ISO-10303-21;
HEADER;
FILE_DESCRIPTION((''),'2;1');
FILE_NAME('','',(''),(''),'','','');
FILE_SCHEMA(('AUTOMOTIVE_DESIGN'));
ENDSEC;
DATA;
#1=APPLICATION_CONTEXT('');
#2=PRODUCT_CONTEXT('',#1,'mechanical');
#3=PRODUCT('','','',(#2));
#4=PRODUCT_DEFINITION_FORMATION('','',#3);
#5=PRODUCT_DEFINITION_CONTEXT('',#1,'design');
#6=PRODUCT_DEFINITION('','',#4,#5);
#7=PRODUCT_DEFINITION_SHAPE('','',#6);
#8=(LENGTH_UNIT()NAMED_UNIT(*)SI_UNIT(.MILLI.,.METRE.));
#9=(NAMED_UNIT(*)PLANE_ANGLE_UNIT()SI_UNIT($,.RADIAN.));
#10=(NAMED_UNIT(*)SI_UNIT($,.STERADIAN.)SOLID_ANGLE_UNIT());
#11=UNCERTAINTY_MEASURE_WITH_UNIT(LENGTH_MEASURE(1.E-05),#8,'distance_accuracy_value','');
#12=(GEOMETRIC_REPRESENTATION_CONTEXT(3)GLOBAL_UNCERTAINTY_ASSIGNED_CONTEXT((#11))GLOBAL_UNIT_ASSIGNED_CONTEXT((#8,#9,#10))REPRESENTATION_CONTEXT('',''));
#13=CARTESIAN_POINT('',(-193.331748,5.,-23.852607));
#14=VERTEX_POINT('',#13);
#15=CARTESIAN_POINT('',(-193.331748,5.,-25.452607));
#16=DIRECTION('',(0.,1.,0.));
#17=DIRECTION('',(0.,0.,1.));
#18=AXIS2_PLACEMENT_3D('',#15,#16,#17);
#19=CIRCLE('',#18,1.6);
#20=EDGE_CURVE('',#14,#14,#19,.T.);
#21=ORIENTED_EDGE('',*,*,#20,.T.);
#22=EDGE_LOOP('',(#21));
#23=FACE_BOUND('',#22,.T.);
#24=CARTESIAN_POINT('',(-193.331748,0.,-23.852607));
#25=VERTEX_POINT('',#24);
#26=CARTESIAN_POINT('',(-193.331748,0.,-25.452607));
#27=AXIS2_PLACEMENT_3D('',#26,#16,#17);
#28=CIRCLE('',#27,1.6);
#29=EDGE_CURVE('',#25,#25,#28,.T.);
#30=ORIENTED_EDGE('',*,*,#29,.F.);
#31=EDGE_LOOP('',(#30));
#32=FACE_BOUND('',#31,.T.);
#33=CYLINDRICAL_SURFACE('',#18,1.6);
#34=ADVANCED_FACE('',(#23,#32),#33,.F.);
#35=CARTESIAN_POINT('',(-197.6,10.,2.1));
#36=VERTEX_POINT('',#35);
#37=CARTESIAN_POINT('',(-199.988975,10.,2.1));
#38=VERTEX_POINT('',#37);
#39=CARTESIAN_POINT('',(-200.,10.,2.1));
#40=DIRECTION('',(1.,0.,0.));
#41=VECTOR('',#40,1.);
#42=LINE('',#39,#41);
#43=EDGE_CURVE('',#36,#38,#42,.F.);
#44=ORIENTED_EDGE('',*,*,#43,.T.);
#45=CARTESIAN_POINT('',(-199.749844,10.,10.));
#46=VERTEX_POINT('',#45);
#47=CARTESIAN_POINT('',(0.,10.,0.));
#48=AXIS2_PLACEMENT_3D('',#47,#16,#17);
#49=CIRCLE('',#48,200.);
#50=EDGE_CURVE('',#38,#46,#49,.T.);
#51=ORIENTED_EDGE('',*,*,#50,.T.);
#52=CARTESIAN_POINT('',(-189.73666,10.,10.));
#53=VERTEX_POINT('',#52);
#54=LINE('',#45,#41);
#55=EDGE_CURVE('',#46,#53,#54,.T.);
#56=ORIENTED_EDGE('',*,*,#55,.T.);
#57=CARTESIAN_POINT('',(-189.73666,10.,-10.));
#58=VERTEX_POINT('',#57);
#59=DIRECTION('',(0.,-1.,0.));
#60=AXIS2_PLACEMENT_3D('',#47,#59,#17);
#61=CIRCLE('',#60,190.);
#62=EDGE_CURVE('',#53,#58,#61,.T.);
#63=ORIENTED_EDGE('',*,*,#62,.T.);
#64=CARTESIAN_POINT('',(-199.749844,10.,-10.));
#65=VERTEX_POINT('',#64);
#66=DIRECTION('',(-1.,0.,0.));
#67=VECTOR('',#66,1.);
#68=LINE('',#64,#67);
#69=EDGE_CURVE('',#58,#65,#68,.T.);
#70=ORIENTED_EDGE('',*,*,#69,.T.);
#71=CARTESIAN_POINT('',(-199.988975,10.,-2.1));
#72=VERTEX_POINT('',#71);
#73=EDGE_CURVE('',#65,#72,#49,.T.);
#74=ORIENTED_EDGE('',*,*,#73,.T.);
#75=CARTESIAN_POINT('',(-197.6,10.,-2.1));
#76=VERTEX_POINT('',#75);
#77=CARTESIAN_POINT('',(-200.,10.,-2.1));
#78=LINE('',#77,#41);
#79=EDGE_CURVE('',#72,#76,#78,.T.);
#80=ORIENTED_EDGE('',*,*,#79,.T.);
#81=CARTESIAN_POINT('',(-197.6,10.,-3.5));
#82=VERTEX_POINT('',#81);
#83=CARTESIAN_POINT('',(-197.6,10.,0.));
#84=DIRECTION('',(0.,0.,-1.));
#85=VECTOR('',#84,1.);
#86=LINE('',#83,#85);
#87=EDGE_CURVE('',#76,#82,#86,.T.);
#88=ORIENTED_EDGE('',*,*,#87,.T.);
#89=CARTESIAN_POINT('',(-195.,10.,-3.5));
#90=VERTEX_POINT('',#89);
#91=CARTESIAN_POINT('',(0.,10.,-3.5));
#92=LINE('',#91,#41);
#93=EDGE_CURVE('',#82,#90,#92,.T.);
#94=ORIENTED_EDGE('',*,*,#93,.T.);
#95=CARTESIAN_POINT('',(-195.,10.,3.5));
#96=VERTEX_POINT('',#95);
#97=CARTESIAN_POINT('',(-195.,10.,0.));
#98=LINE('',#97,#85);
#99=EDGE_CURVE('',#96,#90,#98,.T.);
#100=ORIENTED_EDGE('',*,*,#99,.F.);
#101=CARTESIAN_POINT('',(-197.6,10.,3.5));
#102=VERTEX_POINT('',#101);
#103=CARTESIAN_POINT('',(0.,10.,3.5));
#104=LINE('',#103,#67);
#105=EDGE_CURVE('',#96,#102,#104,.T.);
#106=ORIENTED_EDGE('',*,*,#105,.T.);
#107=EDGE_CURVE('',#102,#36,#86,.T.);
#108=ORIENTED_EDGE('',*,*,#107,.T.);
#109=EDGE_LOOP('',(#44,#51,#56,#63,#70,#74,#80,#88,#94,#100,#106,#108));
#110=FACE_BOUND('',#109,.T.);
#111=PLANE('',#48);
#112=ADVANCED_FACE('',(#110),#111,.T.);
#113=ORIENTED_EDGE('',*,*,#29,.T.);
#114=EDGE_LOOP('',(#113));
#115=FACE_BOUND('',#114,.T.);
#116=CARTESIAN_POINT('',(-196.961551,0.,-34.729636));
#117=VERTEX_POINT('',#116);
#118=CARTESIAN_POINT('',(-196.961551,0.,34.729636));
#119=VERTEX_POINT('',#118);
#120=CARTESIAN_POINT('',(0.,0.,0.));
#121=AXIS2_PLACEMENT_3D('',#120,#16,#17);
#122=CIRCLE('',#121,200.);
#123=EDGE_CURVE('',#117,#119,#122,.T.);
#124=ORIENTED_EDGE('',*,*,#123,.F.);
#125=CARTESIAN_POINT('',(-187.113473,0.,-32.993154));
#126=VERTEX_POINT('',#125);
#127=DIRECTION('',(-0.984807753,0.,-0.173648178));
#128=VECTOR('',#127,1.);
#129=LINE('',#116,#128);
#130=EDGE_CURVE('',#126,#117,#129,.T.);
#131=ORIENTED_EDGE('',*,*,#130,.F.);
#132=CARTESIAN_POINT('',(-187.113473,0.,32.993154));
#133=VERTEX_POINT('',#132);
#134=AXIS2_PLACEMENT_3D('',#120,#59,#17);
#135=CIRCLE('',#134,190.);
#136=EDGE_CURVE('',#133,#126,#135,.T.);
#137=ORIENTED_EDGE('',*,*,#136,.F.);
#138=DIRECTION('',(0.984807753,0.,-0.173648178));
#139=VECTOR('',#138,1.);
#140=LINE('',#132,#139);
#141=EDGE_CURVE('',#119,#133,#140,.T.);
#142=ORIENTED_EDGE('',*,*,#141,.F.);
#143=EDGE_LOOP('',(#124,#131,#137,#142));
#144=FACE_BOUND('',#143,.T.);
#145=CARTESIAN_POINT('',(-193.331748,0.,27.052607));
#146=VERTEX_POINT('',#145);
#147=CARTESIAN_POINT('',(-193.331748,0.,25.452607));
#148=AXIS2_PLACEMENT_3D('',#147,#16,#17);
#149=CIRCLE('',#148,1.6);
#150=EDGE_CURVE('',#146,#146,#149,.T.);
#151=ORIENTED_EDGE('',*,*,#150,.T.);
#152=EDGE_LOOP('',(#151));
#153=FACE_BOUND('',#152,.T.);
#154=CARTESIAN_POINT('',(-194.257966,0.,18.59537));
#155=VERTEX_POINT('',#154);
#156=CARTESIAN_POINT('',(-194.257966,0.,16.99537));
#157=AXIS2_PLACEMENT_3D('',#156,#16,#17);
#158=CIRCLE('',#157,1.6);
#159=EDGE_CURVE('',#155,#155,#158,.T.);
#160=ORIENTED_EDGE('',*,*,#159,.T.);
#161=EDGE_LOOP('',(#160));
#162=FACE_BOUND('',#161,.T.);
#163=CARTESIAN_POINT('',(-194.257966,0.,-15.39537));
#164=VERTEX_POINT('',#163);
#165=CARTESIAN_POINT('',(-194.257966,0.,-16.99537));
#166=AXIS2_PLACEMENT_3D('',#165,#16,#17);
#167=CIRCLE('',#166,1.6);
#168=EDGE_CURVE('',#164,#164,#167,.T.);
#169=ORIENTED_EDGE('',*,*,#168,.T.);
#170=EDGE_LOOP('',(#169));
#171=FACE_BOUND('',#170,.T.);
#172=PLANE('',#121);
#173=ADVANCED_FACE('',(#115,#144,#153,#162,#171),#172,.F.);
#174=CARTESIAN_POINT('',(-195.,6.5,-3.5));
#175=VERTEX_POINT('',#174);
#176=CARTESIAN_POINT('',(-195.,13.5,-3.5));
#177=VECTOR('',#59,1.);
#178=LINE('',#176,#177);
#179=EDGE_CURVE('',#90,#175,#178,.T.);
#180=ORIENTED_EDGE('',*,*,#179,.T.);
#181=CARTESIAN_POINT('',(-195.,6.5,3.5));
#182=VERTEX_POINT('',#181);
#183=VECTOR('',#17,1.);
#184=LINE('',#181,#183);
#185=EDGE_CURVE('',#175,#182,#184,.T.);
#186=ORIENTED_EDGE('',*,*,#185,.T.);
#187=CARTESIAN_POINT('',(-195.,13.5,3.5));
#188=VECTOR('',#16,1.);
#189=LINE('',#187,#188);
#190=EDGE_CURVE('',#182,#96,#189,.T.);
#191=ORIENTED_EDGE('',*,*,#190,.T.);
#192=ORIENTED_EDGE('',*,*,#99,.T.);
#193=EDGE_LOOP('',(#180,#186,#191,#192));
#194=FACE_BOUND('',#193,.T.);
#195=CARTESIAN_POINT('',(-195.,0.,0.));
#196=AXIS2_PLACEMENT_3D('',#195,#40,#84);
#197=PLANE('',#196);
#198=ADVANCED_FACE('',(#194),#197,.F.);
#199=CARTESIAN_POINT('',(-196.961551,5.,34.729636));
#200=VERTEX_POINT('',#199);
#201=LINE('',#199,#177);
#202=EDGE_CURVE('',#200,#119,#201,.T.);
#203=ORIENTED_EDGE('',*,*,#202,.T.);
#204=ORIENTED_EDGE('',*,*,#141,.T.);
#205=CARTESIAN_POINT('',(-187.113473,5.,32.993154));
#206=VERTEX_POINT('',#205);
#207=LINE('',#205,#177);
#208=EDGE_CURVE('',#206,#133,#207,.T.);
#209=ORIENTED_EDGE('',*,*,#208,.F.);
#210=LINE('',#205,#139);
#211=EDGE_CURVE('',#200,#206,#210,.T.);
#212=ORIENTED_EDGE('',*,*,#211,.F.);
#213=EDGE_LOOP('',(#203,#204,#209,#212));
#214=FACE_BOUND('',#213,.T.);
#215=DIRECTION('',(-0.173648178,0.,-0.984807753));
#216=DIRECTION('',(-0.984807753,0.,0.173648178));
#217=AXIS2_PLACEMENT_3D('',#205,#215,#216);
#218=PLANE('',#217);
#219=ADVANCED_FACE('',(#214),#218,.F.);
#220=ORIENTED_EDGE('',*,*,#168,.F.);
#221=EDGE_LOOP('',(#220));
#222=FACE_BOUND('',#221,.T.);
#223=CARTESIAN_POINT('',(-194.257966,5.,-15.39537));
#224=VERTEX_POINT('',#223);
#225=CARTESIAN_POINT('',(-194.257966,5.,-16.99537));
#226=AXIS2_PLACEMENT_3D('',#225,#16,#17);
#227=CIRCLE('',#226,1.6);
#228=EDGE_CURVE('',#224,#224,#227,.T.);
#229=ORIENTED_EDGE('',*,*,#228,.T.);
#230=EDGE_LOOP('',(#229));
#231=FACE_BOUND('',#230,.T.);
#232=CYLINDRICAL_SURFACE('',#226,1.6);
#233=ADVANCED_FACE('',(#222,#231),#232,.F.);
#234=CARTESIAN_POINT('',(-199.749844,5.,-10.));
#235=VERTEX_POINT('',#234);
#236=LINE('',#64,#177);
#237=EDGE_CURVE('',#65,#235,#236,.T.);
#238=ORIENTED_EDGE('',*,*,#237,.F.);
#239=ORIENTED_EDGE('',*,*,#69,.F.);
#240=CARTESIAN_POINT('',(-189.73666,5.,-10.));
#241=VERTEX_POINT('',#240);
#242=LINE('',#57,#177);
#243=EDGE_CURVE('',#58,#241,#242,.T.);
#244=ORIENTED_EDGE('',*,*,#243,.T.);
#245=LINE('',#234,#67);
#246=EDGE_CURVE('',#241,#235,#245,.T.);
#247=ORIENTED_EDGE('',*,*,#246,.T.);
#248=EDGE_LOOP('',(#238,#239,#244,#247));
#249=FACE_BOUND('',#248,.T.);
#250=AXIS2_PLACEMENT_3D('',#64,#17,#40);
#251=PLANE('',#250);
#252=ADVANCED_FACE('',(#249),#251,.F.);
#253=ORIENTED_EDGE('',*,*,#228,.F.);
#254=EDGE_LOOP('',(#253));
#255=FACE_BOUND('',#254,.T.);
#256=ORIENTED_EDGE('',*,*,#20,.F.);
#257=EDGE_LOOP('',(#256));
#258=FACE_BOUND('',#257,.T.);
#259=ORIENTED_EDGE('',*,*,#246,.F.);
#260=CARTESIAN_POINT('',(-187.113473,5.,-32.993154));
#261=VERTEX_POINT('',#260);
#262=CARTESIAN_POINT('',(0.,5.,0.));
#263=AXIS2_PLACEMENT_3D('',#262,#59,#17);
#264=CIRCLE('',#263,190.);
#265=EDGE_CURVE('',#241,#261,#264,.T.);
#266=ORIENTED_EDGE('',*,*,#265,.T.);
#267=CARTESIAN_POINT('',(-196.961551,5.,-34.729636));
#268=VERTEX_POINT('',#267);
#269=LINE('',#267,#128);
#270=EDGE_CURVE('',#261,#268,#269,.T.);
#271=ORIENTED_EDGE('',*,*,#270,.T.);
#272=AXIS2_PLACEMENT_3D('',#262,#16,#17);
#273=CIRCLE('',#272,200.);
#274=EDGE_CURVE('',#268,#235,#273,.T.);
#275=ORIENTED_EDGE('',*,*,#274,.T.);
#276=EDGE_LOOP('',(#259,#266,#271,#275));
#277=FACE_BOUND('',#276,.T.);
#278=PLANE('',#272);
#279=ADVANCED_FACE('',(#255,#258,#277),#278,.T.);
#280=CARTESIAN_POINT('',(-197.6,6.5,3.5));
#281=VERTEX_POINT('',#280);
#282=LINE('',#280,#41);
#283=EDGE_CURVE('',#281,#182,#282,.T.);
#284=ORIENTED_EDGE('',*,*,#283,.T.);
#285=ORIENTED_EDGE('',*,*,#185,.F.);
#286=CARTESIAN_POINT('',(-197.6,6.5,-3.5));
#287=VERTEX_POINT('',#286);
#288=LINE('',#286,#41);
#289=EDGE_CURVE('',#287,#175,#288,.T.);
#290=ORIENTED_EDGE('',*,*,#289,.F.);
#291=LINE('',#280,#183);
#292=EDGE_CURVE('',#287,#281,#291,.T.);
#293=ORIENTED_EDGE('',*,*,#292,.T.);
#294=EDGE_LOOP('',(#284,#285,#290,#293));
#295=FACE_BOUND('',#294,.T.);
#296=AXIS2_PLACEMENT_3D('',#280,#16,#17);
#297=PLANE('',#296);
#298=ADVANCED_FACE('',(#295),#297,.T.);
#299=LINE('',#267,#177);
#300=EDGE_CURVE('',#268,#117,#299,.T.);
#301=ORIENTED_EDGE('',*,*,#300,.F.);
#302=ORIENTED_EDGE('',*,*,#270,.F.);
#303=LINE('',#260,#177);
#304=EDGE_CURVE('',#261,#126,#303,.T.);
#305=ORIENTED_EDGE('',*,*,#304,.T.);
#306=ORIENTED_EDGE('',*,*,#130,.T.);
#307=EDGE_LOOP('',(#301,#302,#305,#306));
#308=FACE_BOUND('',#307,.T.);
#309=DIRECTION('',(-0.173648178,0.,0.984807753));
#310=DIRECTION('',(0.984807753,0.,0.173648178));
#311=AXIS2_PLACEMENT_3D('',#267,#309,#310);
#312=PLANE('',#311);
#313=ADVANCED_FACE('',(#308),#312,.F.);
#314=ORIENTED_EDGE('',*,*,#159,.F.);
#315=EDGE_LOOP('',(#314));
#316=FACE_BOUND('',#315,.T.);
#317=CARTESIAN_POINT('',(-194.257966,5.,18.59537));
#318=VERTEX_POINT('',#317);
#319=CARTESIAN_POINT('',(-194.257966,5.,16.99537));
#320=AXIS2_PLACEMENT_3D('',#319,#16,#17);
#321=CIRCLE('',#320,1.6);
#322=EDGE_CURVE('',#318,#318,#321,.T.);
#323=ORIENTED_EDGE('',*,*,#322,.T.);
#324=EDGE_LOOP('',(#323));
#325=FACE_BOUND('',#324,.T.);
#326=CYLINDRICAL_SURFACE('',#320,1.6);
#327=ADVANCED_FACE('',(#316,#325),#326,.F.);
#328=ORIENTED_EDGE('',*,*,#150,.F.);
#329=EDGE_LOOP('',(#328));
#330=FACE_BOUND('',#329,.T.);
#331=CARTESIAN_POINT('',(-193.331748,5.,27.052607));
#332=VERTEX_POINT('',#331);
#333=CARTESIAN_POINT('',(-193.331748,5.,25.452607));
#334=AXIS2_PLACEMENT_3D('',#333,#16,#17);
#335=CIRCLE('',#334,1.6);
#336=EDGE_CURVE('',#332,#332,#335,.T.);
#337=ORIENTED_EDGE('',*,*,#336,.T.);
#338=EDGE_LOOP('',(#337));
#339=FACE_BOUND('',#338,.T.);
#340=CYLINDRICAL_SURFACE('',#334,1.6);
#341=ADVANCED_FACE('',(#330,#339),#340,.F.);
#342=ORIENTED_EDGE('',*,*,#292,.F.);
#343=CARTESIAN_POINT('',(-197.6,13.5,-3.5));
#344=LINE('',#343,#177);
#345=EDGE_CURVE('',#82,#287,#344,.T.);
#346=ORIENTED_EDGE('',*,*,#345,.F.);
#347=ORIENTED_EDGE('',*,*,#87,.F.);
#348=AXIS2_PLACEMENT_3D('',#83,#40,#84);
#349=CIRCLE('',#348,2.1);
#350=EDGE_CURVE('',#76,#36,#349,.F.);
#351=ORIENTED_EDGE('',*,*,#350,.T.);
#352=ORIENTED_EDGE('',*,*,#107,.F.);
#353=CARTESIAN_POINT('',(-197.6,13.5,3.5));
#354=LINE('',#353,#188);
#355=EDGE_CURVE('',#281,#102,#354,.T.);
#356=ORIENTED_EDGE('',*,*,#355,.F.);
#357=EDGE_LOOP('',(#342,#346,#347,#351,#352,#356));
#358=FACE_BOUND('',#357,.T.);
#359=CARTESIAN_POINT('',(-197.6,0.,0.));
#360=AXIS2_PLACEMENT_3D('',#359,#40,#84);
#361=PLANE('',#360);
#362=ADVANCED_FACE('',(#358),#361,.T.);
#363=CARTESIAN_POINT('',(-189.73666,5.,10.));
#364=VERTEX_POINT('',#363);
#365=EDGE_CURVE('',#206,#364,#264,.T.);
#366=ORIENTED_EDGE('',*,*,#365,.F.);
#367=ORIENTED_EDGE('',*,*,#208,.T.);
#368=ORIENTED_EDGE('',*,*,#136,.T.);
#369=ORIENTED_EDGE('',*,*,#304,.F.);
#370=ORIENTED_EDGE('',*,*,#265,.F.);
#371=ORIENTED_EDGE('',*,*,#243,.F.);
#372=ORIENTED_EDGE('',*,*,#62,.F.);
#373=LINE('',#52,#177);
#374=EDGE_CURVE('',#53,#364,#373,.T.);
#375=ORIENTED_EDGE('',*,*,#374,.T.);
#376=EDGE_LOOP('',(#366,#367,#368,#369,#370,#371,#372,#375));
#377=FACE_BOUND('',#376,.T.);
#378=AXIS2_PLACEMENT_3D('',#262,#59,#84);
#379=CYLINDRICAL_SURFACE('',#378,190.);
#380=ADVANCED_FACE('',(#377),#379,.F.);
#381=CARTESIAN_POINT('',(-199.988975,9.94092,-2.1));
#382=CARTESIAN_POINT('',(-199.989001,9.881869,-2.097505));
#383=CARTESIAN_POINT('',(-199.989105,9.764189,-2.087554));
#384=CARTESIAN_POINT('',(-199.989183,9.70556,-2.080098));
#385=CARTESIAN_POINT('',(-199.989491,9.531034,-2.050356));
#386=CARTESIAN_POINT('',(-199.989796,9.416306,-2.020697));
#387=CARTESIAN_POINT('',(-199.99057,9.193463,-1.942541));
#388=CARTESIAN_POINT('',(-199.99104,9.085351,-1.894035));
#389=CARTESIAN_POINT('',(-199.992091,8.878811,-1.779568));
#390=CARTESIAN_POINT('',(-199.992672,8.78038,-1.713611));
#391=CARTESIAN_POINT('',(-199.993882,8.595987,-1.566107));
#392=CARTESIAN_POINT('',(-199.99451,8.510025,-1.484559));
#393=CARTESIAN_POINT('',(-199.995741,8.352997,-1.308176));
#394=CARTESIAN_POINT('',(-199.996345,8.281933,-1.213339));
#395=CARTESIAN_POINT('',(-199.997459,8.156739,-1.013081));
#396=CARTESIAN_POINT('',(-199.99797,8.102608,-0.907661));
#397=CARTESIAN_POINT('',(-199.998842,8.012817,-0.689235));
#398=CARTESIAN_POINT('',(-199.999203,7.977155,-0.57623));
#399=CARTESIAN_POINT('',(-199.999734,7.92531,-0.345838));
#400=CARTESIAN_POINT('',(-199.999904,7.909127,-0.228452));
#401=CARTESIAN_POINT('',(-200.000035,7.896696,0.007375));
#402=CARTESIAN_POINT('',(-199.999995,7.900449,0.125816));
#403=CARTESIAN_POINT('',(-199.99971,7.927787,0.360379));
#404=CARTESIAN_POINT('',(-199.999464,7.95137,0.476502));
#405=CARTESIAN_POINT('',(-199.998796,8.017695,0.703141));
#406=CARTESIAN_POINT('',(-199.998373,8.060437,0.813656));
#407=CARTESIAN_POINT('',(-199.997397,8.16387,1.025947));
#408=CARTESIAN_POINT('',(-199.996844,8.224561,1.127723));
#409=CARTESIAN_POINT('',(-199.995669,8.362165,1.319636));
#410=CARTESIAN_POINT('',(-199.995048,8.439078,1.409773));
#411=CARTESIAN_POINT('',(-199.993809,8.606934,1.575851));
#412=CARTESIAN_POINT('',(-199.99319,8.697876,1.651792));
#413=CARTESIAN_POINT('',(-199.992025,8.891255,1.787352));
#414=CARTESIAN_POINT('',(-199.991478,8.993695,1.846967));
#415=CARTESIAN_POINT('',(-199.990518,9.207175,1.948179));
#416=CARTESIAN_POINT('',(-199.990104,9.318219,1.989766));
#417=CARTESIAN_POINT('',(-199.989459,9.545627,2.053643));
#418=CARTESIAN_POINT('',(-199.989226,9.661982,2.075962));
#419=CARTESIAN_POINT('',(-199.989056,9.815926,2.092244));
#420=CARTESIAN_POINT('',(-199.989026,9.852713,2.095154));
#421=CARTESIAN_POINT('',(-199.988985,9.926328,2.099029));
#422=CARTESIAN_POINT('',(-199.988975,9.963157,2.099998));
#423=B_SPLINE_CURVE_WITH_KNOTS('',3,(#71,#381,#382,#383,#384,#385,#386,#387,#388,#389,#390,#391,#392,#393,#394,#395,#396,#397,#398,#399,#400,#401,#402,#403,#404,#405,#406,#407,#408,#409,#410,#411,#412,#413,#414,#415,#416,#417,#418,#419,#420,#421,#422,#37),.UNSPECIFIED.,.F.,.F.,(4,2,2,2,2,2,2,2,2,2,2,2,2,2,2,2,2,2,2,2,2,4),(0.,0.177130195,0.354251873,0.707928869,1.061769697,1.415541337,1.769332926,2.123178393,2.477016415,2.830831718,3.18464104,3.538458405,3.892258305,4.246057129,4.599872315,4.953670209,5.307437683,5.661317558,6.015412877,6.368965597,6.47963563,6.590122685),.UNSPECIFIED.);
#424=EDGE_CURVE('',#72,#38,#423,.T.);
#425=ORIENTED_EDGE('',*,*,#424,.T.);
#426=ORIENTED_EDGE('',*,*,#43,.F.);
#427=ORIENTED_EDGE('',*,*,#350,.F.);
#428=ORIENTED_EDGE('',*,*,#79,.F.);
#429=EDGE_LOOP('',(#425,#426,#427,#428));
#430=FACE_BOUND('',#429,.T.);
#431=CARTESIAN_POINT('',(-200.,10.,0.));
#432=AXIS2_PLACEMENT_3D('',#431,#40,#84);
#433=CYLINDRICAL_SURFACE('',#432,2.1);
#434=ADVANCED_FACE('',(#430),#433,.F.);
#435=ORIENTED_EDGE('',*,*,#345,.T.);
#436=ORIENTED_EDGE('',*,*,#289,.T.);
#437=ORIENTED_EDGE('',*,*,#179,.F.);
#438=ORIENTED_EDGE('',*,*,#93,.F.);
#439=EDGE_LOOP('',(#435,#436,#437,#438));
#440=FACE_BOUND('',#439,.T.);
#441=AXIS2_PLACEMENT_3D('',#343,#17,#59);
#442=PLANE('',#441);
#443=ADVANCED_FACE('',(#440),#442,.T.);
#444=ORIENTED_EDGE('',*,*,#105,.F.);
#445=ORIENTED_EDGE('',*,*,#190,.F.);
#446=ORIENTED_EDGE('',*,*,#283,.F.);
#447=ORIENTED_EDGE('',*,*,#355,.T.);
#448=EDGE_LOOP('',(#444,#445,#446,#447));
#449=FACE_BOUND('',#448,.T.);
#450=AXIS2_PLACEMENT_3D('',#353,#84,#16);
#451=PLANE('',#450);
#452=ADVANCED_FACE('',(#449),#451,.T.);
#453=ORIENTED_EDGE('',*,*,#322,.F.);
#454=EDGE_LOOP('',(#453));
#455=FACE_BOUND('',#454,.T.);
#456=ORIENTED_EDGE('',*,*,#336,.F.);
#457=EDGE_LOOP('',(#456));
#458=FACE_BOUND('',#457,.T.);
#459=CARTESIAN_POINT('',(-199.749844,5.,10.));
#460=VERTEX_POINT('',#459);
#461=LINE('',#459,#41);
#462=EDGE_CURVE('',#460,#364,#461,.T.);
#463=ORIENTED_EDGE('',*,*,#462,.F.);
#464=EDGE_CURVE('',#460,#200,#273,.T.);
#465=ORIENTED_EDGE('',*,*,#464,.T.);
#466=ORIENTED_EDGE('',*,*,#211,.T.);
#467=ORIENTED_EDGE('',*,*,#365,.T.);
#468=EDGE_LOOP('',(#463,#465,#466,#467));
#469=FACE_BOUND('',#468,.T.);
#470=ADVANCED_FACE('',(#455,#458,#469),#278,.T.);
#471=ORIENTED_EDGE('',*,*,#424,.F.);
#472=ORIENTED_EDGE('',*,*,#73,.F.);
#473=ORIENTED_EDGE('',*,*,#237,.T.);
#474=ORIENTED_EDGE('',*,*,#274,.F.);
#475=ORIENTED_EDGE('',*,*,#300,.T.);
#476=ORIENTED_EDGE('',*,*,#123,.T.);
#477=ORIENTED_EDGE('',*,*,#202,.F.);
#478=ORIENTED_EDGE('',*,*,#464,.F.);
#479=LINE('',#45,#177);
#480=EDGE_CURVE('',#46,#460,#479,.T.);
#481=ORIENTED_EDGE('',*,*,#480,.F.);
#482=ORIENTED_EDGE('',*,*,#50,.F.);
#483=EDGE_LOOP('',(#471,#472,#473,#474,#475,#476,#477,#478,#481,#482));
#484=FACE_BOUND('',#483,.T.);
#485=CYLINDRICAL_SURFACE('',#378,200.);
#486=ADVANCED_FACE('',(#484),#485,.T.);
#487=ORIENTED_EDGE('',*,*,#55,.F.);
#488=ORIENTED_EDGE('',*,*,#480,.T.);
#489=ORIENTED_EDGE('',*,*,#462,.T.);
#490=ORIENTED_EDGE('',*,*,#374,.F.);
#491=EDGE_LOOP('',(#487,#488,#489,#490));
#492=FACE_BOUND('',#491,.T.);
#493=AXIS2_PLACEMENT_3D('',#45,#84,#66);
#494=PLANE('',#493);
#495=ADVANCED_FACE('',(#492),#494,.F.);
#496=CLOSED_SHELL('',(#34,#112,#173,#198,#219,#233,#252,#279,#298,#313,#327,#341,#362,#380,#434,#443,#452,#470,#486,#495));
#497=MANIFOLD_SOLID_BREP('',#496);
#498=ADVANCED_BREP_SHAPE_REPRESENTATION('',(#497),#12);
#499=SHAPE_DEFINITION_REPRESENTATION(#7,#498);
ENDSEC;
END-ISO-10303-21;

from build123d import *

# Parameters (mm, degrees)
BOSS_EXTRUDE1_DEPTH        = 5
BOSS_EXTRUDE2_DEPTH        = 5
SKETCH10_W                 = 7
SKETCH10_H                 = 7
CUT_EXTRUDE2_DEPTH         = 2.6
SKETCH11_R                 = 2.1
CUT_EXTRUDE3_DEPTH         = 37.99114612
F_3_2_3_2_DIAMETER_HOLE1_D = 3.2


with BuildPart() as part:
    # Sketch1 → Boss-Extrude1 (new body)
    with BuildSketch(Plane(origin=(0, 0, 0), x_dir=(1, 0, 0), z_dir=(0, 1, 0))):
        with BuildLine():
            Line((-196.961550602, 34.729635533), (-187.113473072, 32.993153757))
            ThreePointArc((-187.113473072, 32.993153757), (-190, 0), (-187.113473072, -32.993153757))
            Line((-187.113473072, -32.993153757), (-196.961550602, -34.729635533))
            ThreePointArc((-196.961550602, -34.729635533), (-200, 0), (-196.961550602, 34.729635533))
        make_face()
    extrude(amount=BOSS_EXTRUDE1_DEPTH)

    # Sketch9 → Boss-Extrude2 (add)
    with BuildSketch(Plane(origin=(0, 5, 0), x_dir=(1, 0, 0), z_dir=(0, 1, 0))):
        with BuildLine():
            Line((-199.749843554, 10), (-189.73665961, 10))
            ThreePointArc((-189.73665961, 10), (-190, 0), (-189.73665961, -10))
            Line((-189.73665961, -10), (-199.749843554, -10))
            ThreePointArc((-199.749843554, -10), (-200, 0), (-199.749843554, 10))
        make_face()
    extrude(amount=BOSS_EXTRUDE2_DEPTH)

    # Sketch10 → Cut-Extrude2 (cut)
    with BuildSketch(Plane.ZY.offset(195)):
        with Locations((0, 10)):
            Rectangle(SKETCH10_W, SKETCH10_H)
    extrude(amount=CUT_EXTRUDE2_DEPTH, mode=Mode.SUBTRACT)

    # Sketch11 → Cut-Extrude3 (cut, through all)
    with BuildSketch(Plane.ZY.offset(195)):
        with Locations((0, 10)):
            Circle(SKETCH11_R)
    extrude(amount=CUT_EXTRUDE3_DEPTH, mode=Mode.SUBTRACT)

    # Ø3.2 (3.2) Diameter Hole1 (through all)
    with Locations(Plane(origin=(0, 5, 0), x_dir=(1, 0, 0), z_dir=(0, 1, 0))):
        with Locations((-194.257966128, 16.995369836), (-193.331747968, 25.452607483), (-194.257966128, -16.995369836), (-193.331747968, -25.452607483)):
            Hole(F_3_2_3_2_DIAMETER_HOLE1_D / 2)


solid = part.part
